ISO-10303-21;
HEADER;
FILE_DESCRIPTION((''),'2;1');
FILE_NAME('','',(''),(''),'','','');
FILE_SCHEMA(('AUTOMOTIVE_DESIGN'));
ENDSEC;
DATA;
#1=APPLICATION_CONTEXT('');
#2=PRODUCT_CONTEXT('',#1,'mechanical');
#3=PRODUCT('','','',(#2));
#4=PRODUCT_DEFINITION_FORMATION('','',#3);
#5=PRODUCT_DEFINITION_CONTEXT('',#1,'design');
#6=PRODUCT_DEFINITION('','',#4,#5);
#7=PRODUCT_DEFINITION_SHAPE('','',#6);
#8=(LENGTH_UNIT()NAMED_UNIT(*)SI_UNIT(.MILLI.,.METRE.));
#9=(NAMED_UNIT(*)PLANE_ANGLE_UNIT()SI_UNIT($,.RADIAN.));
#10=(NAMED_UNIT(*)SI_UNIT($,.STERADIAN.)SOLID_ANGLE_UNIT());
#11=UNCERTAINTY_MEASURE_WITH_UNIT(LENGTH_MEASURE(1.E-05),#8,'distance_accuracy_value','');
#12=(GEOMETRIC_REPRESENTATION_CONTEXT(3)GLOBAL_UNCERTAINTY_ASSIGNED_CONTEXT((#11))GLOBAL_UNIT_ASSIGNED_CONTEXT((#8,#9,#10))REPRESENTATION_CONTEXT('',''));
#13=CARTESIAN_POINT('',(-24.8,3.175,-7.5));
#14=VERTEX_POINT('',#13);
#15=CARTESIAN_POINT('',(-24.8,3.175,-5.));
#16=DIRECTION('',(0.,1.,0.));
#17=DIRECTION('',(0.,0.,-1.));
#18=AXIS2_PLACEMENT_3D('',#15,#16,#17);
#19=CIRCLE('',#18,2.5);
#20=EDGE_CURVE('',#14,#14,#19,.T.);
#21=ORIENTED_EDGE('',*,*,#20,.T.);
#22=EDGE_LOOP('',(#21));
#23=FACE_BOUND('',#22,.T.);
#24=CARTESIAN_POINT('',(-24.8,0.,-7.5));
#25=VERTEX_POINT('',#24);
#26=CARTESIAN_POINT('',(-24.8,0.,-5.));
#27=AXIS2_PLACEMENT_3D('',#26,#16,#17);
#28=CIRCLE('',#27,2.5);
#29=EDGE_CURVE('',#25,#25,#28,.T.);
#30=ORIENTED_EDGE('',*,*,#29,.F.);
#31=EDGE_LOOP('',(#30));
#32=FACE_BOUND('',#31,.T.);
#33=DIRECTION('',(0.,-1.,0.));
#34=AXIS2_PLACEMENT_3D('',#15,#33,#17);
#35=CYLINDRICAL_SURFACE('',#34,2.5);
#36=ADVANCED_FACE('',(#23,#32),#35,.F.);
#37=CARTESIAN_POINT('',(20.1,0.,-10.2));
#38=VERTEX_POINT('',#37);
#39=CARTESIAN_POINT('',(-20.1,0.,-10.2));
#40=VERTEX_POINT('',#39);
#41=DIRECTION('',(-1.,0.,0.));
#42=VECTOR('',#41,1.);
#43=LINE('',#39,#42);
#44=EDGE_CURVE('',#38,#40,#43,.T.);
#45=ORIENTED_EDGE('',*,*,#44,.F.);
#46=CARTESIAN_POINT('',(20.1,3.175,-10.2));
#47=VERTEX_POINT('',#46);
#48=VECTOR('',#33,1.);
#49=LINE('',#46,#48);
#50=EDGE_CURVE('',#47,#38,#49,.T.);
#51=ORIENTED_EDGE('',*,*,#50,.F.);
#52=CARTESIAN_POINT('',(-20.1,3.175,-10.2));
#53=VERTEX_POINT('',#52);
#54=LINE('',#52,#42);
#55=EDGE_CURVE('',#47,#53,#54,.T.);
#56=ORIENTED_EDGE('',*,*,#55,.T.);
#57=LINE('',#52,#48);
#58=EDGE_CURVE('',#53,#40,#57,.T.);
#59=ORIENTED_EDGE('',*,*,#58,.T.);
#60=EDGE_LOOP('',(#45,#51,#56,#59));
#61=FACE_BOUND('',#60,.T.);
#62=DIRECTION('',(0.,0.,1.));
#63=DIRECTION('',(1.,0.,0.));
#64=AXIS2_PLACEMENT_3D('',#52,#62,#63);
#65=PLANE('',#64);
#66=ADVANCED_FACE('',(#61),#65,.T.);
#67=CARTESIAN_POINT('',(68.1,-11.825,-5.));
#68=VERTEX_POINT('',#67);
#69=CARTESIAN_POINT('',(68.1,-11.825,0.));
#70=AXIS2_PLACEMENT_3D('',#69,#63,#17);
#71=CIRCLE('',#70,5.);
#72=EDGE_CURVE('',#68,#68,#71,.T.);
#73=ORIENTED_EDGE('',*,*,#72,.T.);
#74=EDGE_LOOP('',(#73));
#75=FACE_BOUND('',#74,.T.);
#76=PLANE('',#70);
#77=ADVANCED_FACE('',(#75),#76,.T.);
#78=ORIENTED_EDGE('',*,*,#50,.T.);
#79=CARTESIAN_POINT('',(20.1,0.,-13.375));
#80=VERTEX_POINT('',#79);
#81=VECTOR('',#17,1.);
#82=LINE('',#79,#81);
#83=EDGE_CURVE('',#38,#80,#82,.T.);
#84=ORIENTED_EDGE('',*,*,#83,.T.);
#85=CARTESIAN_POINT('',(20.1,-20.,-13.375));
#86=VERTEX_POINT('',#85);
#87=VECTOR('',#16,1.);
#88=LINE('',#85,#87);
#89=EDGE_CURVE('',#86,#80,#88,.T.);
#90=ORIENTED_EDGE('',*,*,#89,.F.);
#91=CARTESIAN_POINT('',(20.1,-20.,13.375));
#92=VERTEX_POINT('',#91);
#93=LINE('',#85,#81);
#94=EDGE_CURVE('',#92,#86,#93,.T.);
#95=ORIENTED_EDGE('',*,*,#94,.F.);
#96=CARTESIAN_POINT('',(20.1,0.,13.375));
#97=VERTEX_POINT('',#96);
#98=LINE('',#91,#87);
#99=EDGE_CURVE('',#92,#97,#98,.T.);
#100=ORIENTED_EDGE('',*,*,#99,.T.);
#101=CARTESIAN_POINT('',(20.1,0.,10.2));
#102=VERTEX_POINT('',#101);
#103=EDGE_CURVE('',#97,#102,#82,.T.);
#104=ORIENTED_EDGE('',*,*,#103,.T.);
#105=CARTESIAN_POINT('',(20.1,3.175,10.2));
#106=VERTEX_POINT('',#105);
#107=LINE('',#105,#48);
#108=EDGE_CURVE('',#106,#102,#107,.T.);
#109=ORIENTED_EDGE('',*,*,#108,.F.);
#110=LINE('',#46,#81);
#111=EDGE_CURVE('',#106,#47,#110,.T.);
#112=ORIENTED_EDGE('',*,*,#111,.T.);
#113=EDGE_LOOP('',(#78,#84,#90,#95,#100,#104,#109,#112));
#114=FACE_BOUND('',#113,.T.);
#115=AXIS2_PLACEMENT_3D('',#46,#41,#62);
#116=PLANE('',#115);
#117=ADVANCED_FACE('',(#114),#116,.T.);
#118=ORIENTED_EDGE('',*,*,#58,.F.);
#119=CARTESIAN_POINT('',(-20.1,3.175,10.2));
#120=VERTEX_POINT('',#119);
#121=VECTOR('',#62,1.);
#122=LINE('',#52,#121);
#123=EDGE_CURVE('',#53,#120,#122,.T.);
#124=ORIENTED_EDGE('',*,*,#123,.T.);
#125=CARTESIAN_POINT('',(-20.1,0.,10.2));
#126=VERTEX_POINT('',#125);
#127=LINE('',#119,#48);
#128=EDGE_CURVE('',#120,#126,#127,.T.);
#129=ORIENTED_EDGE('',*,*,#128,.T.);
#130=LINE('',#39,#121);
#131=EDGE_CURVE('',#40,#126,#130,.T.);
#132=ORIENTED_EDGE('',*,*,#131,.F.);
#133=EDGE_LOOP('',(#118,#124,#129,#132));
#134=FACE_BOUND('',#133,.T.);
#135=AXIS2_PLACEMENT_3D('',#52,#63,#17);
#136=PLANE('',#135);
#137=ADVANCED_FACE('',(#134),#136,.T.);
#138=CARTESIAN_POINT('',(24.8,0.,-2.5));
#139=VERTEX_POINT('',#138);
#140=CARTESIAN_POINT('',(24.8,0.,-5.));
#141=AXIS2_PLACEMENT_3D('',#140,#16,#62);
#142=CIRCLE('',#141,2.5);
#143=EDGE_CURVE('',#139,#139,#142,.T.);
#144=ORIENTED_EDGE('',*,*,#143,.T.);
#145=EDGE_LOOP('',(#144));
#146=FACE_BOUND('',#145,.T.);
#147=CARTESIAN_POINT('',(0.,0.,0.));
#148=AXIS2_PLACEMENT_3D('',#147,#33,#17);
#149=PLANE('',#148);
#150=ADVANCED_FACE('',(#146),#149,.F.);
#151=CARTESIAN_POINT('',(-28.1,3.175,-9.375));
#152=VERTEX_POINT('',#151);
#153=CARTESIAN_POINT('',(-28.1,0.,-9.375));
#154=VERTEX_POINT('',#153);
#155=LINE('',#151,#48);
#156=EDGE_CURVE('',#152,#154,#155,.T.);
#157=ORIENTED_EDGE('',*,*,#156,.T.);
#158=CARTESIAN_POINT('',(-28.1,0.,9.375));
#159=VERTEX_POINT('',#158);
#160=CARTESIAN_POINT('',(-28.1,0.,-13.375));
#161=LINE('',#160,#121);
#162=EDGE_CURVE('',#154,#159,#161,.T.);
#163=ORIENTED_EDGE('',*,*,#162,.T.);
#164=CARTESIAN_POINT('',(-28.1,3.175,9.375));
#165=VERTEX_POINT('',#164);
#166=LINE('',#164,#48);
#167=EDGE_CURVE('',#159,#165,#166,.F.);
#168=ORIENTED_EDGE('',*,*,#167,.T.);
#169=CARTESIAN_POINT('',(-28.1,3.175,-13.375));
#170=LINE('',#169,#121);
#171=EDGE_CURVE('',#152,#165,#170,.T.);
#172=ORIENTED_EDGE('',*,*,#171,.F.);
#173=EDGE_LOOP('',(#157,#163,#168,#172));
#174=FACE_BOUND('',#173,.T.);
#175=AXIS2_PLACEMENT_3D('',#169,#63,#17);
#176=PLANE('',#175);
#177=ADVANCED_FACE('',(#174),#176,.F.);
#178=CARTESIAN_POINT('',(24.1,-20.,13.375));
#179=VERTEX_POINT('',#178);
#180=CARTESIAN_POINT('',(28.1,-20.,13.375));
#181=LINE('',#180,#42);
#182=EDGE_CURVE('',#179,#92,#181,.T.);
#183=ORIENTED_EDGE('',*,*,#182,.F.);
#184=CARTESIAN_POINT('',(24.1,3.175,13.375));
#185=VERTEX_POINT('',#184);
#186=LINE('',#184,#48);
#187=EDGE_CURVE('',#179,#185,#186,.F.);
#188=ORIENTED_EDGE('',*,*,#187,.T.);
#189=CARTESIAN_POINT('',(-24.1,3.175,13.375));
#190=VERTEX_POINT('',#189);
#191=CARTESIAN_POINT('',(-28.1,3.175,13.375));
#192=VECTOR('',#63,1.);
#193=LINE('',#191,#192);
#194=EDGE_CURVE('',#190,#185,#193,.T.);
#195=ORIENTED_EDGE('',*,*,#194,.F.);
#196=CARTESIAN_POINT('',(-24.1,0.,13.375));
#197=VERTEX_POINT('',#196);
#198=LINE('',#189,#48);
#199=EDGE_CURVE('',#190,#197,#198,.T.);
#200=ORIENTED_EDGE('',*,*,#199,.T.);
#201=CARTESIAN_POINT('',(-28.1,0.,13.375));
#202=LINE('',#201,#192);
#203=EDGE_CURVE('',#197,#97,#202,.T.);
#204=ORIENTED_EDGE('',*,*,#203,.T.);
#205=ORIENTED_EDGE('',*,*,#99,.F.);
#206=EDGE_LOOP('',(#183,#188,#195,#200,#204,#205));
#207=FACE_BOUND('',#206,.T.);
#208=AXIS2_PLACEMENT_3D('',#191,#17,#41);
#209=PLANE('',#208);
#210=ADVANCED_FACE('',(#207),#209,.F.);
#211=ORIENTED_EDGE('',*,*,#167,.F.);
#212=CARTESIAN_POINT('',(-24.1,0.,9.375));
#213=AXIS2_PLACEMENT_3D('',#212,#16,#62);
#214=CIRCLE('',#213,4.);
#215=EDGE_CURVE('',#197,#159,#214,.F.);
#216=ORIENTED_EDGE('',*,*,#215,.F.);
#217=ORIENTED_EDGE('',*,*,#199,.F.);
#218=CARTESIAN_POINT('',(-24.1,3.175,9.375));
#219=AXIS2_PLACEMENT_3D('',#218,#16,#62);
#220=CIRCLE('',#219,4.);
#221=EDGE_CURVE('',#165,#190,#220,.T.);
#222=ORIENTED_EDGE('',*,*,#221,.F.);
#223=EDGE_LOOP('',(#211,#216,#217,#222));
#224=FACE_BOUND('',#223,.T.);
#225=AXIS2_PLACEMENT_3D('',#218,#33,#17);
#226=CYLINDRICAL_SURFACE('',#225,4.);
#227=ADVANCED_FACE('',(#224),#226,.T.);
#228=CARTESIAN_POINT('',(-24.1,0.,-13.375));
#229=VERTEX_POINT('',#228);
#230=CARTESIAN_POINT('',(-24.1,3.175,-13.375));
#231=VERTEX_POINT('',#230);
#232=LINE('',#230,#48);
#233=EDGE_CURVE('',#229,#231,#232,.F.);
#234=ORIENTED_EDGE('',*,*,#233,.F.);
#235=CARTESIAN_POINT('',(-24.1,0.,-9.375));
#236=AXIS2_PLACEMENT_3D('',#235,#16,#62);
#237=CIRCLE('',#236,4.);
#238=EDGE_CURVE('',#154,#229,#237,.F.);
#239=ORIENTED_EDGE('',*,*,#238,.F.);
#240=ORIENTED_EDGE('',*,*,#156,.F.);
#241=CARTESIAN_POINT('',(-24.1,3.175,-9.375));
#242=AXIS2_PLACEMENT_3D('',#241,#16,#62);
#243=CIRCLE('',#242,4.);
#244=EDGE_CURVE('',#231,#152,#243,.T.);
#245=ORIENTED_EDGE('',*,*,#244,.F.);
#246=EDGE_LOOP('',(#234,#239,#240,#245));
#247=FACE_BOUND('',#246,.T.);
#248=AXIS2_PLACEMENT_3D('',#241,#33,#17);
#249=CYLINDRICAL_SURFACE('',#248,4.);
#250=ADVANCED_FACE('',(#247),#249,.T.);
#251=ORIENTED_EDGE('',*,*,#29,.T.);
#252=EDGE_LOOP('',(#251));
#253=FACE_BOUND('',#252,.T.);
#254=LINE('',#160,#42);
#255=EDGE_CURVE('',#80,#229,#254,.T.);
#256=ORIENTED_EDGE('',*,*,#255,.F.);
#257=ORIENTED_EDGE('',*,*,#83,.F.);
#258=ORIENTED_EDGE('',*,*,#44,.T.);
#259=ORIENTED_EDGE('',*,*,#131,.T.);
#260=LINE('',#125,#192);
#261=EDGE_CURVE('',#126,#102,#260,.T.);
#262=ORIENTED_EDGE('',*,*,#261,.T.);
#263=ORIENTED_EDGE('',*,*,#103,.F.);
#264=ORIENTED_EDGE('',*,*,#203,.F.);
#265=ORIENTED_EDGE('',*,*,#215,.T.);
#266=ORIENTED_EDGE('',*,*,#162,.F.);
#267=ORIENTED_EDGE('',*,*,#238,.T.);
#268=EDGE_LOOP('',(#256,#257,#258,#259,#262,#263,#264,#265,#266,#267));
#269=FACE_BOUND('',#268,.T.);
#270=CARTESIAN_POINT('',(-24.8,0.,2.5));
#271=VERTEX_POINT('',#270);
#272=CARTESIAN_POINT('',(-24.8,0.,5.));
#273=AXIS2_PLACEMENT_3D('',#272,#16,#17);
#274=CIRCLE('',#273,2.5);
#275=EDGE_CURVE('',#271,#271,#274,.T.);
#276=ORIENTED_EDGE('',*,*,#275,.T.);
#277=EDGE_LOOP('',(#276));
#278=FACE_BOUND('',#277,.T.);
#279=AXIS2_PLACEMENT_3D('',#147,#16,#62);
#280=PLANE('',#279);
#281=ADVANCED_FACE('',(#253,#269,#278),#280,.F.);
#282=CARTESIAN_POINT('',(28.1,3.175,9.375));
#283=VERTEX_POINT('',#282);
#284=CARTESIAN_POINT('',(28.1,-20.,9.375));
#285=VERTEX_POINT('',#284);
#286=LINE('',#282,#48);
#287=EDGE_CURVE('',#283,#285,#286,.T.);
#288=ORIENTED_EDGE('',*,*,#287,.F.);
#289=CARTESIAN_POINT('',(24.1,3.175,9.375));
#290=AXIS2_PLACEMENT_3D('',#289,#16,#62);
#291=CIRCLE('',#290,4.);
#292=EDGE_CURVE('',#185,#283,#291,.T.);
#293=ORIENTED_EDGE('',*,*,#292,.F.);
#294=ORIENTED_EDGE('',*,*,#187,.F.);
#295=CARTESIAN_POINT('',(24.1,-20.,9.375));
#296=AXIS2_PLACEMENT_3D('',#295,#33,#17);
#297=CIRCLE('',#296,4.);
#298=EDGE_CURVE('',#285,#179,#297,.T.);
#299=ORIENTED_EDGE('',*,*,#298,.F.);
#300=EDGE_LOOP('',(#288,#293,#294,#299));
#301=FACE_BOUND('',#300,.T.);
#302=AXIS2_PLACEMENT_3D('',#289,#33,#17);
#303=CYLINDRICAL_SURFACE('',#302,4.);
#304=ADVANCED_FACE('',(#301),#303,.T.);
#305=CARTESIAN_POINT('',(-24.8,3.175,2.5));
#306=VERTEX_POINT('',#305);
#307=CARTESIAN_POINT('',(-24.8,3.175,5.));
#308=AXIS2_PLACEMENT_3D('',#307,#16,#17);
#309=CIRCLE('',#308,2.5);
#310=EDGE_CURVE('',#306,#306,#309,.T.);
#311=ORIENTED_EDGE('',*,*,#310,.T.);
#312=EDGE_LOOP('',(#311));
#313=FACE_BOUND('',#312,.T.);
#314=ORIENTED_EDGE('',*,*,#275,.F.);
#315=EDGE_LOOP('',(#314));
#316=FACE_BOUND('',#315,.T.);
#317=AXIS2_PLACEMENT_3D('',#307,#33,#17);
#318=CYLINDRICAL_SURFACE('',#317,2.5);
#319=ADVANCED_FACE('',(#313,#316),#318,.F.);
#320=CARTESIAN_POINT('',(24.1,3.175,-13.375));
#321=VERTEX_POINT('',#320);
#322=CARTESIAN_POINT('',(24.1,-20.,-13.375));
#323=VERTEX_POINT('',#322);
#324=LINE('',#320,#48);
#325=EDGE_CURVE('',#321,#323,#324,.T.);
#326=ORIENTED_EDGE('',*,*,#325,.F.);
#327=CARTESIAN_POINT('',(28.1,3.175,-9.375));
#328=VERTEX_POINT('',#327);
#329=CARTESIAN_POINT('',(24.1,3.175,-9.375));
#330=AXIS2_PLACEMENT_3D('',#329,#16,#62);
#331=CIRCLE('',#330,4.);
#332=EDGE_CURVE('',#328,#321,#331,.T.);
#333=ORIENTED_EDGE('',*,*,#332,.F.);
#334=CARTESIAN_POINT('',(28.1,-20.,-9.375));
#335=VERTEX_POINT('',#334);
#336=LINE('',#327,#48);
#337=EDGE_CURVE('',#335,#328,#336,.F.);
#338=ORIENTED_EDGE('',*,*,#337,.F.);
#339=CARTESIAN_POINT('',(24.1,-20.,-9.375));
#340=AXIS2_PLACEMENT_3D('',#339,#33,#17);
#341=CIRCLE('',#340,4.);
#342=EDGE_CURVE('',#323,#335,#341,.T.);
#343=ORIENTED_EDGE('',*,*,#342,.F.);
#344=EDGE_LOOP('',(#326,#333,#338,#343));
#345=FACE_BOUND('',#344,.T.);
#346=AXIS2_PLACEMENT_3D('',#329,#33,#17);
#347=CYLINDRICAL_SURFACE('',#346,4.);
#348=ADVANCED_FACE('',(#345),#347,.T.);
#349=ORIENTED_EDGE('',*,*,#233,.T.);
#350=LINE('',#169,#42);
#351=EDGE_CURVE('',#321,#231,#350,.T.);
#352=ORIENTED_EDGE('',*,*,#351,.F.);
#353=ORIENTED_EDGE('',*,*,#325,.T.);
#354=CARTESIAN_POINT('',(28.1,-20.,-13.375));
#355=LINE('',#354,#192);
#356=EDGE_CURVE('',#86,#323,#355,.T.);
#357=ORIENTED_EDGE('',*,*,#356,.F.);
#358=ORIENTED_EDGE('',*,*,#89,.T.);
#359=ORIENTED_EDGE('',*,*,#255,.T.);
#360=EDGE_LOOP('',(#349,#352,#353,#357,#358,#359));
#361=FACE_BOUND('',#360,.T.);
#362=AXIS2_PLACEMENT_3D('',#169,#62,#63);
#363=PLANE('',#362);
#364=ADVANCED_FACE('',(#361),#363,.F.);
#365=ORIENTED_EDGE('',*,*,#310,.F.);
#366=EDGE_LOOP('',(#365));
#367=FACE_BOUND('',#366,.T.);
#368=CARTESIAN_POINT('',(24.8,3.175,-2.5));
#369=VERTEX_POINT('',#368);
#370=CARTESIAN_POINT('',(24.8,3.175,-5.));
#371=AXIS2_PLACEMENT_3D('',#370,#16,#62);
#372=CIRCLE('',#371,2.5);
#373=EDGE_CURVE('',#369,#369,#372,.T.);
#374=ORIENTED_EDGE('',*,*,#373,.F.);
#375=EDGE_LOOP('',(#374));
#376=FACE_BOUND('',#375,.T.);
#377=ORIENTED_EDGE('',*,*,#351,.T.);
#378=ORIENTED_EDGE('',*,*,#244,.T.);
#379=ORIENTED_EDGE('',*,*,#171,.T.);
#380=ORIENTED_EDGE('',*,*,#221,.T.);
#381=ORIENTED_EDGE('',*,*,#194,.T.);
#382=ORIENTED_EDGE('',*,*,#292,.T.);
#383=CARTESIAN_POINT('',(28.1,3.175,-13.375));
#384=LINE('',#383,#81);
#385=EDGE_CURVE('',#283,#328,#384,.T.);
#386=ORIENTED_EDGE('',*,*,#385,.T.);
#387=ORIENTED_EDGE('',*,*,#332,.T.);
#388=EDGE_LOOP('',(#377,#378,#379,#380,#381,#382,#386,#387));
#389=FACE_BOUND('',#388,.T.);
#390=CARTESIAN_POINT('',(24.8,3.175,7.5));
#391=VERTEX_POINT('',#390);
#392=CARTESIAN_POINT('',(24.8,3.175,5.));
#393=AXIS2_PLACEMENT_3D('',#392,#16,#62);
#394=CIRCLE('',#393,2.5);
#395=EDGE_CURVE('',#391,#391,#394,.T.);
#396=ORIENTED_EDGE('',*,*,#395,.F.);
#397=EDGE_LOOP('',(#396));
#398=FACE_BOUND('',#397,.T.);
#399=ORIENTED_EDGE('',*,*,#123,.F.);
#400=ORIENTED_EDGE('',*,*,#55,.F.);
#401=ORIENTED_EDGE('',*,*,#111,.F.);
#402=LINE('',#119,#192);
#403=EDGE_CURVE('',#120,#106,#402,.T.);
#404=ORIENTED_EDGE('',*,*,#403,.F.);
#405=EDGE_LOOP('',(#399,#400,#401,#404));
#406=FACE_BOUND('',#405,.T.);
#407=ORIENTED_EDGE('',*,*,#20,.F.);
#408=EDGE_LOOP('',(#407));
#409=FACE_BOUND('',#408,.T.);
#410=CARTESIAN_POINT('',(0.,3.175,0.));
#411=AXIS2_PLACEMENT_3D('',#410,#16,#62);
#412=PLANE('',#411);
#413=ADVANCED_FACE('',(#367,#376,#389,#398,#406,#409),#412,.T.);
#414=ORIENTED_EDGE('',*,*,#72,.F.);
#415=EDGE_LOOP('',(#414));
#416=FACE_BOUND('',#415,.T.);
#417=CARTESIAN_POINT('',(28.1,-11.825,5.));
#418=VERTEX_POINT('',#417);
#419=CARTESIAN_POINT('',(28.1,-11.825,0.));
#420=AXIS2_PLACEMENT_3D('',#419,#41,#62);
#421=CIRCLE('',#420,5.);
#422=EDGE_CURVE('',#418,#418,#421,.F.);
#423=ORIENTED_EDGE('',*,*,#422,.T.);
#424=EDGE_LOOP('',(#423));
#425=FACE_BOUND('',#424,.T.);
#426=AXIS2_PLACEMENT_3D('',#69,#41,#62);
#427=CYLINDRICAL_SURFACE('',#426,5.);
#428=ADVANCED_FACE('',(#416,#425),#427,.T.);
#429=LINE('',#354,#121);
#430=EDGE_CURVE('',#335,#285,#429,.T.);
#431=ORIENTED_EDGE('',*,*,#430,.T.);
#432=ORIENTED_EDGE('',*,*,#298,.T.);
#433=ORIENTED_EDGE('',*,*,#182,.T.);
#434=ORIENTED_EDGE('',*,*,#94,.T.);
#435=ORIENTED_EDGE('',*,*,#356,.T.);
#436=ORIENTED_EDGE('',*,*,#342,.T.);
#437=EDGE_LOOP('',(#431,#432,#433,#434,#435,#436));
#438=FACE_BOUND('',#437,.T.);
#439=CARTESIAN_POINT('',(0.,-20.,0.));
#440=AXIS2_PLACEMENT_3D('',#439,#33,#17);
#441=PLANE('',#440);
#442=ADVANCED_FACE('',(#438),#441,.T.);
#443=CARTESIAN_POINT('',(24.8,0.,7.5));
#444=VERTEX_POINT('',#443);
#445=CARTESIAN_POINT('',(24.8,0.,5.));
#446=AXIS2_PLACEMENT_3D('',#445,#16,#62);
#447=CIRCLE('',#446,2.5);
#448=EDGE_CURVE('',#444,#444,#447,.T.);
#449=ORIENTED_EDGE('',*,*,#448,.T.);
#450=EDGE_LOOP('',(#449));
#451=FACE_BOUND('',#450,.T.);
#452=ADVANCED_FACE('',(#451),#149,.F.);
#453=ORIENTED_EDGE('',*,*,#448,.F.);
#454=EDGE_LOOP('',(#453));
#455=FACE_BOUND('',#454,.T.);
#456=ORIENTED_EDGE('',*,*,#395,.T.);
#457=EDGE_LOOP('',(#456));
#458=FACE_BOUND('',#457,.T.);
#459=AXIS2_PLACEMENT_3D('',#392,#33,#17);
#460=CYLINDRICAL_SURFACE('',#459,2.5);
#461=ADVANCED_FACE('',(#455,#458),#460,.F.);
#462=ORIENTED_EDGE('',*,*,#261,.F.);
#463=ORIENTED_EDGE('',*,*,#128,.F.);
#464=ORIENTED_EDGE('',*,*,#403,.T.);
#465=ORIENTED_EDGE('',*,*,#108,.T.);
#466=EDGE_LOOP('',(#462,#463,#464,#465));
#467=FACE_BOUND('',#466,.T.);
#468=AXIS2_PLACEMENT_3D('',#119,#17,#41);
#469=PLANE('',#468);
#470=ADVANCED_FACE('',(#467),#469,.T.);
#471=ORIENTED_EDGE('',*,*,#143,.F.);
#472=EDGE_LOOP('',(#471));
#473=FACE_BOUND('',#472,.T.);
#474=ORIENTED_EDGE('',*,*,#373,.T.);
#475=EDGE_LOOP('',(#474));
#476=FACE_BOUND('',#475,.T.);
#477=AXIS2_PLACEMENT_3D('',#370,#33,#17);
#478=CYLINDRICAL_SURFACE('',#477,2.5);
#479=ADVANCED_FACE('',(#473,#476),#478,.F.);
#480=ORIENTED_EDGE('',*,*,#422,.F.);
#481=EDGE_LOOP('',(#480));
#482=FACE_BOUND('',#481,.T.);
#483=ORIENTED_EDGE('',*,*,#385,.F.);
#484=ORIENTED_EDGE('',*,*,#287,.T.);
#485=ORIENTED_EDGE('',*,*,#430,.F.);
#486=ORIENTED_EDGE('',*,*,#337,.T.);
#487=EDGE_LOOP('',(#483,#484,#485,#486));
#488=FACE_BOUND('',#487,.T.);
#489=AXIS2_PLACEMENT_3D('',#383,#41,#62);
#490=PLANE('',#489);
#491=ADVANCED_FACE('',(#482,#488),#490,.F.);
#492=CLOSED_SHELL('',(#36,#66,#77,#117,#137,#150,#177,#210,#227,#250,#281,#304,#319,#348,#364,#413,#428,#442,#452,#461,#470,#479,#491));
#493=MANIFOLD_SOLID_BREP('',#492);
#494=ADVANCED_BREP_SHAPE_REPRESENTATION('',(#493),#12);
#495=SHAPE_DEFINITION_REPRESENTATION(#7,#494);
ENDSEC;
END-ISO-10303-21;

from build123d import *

# Parameters (mm, degrees)
SKETCH1_W           = 56.2
SKETCH1_H           = 26.75
SKETCH1_R           = 2.5
SKETCH1_W_2         = 40.2
SKETCH1_H_2         = 20.4
BOSS_EXTRUDE1_DEPTH = 3.175
SKETCH3_W           = 8
SKETCH3_H           = 26.75
BOSS_EXTRUDE2_DEPTH = 20
FILLET1_R           = 4
SKETCH4_R           = 5
BOSS_EXTRUDE3_DEPTH = 40


with BuildPart() as part:
    # Sketch1 → Boss-Extrude1 (new body)
    with BuildSketch(Plane(origin=(0, 0, 0), x_dir=(1, 0, 0), z_dir=(0, 1, 0))):
        Rectangle(SKETCH1_W, SKETCH1_H)
        with Locations(Location((24.8, 5, 0), (0, 0, 270))):
            Circle(SKETCH1_R, mode=Mode.SUBTRACT)
        with Locations(Location((24.8, -5, 0), (0, 0, 270))):
            Circle(SKETCH1_R, mode=Mode.SUBTRACT)
        with Locations(Location((-24.8, -5, 0), (0, 0, 90))):
            Circle(SKETCH1_R, mode=Mode.SUBTRACT)
        with Locations(Location((-24.8, 5, 0), (0, 0, 90))):
            Circle(SKETCH1_R, mode=Mode.SUBTRACT)
        Rectangle(SKETCH1_W_2, SKETCH1_H_2, mode=Mode.SUBTRACT)
    extrude(amount=BOSS_EXTRUDE1_DEPTH)

    # Sketch3 → Boss-Extrude2 (add)
    with BuildSketch(Plane.XZ):
        with Locations((24.1, 0)):
            Rectangle(SKETCH3_W, SKETCH3_H)
    extrude(amount=BOSS_EXTRUDE2_DEPTH)

    # Fillet1
    fillet1_edges = [part.edges().sort_by_distance(p)[0] for p in [
        (28.1, -8.4125, 13.375),
        (-28.1, 1.5875, 13.375),
        (-28.1, 1.5875, -13.375),
        (28.1, -8.4125, -13.375),
    ]]
    fillet(fillet1_edges, radius=FILLET1_R)

    # Sketch4 → Boss-Extrude3 (add)
    with BuildSketch(Plane(origin=(28.1, 0, 0), x_dir=(0, 0, -1), z_dir=(1, 0, 0))):
        with Locations(Location((0, -11.825, 0), (0, 0, 180))):
            Circle(SKETCH4_R)
    extrude(amount=BOSS_EXTRUDE3_DEPTH)


solid = part.part
